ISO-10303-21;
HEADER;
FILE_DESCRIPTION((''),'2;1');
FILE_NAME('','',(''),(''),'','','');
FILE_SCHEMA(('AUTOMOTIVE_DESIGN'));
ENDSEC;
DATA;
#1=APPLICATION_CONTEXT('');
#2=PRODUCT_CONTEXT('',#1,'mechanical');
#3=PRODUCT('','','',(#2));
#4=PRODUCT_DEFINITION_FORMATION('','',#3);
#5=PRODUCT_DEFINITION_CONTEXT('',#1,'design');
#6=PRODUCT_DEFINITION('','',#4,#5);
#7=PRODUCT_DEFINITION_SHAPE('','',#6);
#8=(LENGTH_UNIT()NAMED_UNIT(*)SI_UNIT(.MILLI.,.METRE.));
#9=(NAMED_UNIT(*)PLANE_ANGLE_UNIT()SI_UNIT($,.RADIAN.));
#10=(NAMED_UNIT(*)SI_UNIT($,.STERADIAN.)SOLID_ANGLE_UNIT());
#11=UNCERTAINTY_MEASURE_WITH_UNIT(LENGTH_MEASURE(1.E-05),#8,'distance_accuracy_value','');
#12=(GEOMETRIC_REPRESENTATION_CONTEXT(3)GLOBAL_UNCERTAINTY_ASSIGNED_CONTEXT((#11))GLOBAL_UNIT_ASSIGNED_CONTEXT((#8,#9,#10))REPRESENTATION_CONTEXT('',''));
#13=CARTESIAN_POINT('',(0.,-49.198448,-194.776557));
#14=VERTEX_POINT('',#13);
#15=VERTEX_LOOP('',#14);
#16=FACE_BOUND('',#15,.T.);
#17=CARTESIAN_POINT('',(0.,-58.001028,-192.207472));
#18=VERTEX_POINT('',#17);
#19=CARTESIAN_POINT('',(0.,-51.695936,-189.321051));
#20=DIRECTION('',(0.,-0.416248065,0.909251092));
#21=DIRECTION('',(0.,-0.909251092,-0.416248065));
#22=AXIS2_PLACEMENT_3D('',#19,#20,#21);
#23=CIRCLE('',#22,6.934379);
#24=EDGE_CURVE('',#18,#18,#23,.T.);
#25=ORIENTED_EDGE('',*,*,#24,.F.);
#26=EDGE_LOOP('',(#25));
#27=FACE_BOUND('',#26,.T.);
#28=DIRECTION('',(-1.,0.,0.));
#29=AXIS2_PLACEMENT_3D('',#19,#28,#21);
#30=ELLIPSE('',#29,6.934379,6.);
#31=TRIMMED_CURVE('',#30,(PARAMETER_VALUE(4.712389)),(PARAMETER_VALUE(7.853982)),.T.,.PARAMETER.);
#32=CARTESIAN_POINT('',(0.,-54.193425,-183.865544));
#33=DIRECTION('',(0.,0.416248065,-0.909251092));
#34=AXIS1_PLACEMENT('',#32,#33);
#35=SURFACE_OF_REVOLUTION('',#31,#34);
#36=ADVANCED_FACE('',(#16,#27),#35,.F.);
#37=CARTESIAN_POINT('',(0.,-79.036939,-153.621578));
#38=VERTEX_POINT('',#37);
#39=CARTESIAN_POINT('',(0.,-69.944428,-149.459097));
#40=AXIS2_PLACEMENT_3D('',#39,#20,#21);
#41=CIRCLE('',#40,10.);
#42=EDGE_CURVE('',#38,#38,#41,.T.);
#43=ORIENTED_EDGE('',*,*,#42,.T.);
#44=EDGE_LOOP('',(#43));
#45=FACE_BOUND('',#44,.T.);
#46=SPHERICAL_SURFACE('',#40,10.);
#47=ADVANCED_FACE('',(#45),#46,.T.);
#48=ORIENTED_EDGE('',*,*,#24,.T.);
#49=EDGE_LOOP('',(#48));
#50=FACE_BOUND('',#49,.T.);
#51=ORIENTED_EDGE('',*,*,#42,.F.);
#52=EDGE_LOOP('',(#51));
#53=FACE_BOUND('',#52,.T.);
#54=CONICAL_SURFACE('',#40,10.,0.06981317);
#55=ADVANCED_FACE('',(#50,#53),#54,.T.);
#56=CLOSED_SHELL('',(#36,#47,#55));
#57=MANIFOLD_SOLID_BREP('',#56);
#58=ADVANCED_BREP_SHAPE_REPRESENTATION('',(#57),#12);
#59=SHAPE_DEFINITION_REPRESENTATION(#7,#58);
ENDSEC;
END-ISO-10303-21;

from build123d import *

# Parameters (mm, degrees)
SKETCH1_R           = 10
BOSS_EXTRUDE1_DEPTH = 43.840424
BOSS_EXTRUDE1_DRAFT = -4
DOME1_FACE_RADIUS   = 10
DOME1_HEIGHT        = 10
DOME2_FACE_RADIUS   = 6.934378915
DOME2_HEIGHT        = 6


with BuildPart() as part:
    # Sketch1 → Boss-Extrude1 (with draft: the straight prism first)
    with BuildSketch(Plane(origin=(0, -69.944427944, -149.45909702), x_dir=(1, 0, 0), z_dir=(0, -0.4162480648879251, 0.909251092095609))):
        Circle(SKETCH1_R)
    extrude(amount=-BOSS_EXTRUDE1_DEPTH)
    # Boss-Extrude1: the draft: its side faces are tilted about the plane it starts from
    boss_extrude1_sides = [part.faces().sort_by_distance(p)[0] for p in [
        (-10, -60.820182117, -169.39007372),
    ]]
    draft(boss_extrude1_sides, Plane(origin=(0, -69.944427944, -149.45909702), x_dir=(1, 0, 0), z_dir=(0, -0.4162480648879251, 0.909251092095609)), BOSS_EXTRUDE1_DRAFT)

    # Dome1: a dome of height H over a round flat face of radius A is a cap of a sphere of radius (A * A + H * H) / (2 * H)
    dome1_r = (DOME1_FACE_RADIUS * DOME1_FACE_RADIUS + DOME1_HEIGHT * DOME1_HEIGHT) / (2 * DOME1_HEIGHT)
    dome1_base = Plane((0, -69.944427944, -149.45909702), z_dir=(0, -0.416248064888, 0.909251092096))
    with Locations(dome1_base.offset(DOME1_HEIGHT - dome1_r)):
        dome1_ball = Sphere(dome1_r, mode=Mode.PRIVATE)
    add(split(dome1_ball, bisect_by=dome1_base, keep=Keep.TOP, mode=Mode.PRIVATE))

    # Dome2: an elliptical dome of height H over a round flat face of radius A is half a spheroid: the quarter ellipse of half axes A and H revolved about the face's axis
    with BuildSketch(Plane((0, -51.69593629, -189.32105042), x_dir=(0, -0.9092510920956485, -0.41624806488783905), z_dir=(1, 0, 0)), mode=Mode.PRIVATE) as dome2_quarter:
        Ellipse(DOME2_FACE_RADIUS, DOME2_HEIGHT)
        Rectangle(DOME2_FACE_RADIUS, DOME2_HEIGHT, align=(Align.MIN, Align.MIN), mode=Mode.INTERSECT)
    revolve(dome2_quarter.sketch, axis=Axis((0, -51.69593629, -189.32105042), (0, 0.416248064888, -0.909251092096)))


solid = part.part
